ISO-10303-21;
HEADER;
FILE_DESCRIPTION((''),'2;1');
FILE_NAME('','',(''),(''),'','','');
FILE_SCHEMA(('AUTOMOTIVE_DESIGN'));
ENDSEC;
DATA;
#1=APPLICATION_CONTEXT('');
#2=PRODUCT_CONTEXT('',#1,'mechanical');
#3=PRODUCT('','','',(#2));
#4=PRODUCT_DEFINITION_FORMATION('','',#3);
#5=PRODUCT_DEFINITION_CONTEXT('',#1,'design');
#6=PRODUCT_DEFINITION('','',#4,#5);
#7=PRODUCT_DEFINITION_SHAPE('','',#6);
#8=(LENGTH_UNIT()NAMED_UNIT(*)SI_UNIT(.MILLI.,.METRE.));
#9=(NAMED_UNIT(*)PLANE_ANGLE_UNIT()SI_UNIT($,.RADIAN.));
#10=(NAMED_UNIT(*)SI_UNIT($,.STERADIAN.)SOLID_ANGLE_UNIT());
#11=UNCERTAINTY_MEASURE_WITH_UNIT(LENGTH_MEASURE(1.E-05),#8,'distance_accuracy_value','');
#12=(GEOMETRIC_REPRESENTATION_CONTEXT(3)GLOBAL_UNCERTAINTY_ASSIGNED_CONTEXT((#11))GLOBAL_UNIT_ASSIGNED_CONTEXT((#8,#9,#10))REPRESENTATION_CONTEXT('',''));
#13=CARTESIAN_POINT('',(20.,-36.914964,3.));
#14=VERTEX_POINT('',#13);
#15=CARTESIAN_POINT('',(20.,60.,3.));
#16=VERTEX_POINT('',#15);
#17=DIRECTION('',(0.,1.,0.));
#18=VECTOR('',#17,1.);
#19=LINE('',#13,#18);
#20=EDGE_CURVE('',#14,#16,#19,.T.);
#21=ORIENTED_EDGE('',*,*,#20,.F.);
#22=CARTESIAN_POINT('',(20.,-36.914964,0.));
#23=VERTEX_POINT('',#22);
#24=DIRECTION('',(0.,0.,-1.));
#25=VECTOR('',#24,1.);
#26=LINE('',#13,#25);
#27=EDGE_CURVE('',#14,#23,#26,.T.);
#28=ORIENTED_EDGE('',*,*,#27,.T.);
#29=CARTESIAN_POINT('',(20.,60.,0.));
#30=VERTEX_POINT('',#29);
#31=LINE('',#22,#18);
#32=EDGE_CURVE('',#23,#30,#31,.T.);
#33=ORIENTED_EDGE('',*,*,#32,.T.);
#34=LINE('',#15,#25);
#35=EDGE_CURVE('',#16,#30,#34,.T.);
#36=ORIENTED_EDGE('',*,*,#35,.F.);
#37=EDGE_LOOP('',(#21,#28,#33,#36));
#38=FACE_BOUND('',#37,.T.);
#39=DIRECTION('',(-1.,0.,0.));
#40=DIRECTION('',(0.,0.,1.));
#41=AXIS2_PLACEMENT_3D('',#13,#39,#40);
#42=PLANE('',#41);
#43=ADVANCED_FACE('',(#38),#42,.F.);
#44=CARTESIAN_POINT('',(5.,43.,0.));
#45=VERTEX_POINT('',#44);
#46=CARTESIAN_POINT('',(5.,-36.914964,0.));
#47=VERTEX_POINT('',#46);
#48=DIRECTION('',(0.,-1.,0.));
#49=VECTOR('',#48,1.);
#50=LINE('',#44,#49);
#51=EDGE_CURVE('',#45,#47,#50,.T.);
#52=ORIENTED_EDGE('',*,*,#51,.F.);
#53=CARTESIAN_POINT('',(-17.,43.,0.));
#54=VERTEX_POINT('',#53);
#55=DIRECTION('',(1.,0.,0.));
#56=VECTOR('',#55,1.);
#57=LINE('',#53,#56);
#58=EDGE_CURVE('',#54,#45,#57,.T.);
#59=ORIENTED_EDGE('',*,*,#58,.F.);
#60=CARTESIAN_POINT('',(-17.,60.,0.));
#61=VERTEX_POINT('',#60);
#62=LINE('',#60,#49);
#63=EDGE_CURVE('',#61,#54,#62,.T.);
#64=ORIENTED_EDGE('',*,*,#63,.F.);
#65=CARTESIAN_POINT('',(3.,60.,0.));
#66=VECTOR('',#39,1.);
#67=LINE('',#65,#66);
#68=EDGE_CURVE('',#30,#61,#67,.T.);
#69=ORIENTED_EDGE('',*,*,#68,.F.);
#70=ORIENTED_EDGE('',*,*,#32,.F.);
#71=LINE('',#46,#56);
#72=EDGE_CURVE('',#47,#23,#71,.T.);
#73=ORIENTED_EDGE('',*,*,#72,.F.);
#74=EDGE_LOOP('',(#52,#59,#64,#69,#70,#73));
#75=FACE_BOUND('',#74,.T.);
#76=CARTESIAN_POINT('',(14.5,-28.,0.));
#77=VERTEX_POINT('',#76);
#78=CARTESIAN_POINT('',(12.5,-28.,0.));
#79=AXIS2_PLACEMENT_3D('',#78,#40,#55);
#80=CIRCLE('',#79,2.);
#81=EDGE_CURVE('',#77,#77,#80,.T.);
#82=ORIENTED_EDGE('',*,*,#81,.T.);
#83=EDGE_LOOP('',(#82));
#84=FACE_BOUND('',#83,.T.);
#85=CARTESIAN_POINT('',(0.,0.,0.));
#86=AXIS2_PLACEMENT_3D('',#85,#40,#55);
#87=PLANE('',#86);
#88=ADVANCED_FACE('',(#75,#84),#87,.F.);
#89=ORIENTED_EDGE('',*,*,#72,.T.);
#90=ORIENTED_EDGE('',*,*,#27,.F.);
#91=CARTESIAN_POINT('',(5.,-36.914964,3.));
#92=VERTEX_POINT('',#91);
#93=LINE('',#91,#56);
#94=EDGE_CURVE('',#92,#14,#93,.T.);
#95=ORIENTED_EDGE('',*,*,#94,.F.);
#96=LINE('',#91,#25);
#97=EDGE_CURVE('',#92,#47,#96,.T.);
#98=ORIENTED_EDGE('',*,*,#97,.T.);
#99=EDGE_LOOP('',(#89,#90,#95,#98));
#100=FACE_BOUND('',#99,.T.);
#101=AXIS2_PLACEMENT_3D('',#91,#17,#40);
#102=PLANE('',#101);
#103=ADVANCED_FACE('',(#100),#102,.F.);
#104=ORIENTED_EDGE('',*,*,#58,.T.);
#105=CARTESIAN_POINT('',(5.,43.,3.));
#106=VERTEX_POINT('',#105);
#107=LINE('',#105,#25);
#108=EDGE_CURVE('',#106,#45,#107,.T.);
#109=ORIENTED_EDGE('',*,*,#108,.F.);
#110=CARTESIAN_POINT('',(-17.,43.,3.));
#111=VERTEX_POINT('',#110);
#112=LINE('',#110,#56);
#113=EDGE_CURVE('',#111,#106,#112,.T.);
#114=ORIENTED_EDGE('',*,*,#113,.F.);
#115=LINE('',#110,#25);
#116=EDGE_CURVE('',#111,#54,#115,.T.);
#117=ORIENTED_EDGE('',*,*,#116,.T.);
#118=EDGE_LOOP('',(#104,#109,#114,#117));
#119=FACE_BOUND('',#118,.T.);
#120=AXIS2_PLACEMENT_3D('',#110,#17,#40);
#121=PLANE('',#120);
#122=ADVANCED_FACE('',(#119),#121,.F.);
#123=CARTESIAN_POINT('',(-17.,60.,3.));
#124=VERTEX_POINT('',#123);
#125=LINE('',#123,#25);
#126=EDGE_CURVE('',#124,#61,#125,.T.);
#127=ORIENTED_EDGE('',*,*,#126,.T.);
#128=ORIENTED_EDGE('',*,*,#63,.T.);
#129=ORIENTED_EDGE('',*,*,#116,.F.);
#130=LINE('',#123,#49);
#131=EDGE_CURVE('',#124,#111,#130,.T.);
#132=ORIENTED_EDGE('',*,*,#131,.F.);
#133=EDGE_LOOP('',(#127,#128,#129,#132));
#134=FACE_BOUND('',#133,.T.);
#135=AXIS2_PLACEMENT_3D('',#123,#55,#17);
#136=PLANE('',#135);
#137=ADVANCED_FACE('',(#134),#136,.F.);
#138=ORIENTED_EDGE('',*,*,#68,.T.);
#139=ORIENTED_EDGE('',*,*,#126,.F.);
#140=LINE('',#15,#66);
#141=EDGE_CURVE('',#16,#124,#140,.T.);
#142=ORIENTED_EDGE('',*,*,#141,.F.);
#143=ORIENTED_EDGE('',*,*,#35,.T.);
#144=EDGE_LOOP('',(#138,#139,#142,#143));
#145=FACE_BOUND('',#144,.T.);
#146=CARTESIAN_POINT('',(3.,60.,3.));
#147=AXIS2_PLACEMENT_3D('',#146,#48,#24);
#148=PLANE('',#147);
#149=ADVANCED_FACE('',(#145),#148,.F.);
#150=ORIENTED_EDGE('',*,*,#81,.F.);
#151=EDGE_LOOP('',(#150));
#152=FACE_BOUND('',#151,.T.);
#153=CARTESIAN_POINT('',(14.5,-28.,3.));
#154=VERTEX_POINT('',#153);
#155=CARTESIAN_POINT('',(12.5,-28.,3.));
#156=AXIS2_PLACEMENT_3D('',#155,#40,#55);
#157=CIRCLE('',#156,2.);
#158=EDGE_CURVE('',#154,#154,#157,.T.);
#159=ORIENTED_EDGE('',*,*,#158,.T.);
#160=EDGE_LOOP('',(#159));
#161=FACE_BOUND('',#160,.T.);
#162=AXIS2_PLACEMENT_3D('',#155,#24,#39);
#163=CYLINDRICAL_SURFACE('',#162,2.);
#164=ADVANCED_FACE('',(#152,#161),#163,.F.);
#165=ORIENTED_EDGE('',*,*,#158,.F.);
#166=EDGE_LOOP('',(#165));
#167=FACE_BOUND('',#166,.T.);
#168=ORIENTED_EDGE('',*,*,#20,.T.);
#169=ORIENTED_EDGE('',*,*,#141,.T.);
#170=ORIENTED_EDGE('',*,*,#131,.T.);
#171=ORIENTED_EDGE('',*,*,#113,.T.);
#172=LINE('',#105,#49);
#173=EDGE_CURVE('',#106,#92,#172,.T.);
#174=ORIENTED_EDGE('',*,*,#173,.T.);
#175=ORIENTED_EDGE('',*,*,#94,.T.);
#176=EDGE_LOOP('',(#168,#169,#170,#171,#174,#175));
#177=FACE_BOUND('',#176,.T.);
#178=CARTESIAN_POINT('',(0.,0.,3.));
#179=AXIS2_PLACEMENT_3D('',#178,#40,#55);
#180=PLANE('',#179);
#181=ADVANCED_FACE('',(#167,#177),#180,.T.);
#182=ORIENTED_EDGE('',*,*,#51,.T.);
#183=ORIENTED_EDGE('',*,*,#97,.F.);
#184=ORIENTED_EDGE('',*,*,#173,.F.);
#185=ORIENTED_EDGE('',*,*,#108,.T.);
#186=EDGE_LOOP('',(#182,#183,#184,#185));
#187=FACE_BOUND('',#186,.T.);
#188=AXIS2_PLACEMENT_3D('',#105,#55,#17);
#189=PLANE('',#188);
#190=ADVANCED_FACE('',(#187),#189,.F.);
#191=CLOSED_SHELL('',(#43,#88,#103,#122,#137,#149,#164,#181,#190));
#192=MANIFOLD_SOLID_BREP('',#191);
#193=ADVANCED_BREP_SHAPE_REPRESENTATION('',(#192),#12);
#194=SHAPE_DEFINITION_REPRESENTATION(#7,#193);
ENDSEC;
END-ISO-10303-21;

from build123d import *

# Parameters (mm, degrees)
CROQUIS1_R              = 2
SALIENTE_EXTRUIR1_DEPTH = 3


with BuildPart() as part:
    # Croquis1 → Saliente-Extruir1 (new body)
    with BuildSketch(Plane.XY):
        Polygon((20, -36.91496427), (20, 60), (3, 60), (-17, 60), (-17, 43), (5, 43), (5, -36.91496427), align=None)
        with Locations((12.5, -28)):
            Circle(CROQUIS1_R, mode=Mode.SUBTRACT)
    extrude(amount=SALIENTE_EXTRUIR1_DEPTH)


solid = part.part
